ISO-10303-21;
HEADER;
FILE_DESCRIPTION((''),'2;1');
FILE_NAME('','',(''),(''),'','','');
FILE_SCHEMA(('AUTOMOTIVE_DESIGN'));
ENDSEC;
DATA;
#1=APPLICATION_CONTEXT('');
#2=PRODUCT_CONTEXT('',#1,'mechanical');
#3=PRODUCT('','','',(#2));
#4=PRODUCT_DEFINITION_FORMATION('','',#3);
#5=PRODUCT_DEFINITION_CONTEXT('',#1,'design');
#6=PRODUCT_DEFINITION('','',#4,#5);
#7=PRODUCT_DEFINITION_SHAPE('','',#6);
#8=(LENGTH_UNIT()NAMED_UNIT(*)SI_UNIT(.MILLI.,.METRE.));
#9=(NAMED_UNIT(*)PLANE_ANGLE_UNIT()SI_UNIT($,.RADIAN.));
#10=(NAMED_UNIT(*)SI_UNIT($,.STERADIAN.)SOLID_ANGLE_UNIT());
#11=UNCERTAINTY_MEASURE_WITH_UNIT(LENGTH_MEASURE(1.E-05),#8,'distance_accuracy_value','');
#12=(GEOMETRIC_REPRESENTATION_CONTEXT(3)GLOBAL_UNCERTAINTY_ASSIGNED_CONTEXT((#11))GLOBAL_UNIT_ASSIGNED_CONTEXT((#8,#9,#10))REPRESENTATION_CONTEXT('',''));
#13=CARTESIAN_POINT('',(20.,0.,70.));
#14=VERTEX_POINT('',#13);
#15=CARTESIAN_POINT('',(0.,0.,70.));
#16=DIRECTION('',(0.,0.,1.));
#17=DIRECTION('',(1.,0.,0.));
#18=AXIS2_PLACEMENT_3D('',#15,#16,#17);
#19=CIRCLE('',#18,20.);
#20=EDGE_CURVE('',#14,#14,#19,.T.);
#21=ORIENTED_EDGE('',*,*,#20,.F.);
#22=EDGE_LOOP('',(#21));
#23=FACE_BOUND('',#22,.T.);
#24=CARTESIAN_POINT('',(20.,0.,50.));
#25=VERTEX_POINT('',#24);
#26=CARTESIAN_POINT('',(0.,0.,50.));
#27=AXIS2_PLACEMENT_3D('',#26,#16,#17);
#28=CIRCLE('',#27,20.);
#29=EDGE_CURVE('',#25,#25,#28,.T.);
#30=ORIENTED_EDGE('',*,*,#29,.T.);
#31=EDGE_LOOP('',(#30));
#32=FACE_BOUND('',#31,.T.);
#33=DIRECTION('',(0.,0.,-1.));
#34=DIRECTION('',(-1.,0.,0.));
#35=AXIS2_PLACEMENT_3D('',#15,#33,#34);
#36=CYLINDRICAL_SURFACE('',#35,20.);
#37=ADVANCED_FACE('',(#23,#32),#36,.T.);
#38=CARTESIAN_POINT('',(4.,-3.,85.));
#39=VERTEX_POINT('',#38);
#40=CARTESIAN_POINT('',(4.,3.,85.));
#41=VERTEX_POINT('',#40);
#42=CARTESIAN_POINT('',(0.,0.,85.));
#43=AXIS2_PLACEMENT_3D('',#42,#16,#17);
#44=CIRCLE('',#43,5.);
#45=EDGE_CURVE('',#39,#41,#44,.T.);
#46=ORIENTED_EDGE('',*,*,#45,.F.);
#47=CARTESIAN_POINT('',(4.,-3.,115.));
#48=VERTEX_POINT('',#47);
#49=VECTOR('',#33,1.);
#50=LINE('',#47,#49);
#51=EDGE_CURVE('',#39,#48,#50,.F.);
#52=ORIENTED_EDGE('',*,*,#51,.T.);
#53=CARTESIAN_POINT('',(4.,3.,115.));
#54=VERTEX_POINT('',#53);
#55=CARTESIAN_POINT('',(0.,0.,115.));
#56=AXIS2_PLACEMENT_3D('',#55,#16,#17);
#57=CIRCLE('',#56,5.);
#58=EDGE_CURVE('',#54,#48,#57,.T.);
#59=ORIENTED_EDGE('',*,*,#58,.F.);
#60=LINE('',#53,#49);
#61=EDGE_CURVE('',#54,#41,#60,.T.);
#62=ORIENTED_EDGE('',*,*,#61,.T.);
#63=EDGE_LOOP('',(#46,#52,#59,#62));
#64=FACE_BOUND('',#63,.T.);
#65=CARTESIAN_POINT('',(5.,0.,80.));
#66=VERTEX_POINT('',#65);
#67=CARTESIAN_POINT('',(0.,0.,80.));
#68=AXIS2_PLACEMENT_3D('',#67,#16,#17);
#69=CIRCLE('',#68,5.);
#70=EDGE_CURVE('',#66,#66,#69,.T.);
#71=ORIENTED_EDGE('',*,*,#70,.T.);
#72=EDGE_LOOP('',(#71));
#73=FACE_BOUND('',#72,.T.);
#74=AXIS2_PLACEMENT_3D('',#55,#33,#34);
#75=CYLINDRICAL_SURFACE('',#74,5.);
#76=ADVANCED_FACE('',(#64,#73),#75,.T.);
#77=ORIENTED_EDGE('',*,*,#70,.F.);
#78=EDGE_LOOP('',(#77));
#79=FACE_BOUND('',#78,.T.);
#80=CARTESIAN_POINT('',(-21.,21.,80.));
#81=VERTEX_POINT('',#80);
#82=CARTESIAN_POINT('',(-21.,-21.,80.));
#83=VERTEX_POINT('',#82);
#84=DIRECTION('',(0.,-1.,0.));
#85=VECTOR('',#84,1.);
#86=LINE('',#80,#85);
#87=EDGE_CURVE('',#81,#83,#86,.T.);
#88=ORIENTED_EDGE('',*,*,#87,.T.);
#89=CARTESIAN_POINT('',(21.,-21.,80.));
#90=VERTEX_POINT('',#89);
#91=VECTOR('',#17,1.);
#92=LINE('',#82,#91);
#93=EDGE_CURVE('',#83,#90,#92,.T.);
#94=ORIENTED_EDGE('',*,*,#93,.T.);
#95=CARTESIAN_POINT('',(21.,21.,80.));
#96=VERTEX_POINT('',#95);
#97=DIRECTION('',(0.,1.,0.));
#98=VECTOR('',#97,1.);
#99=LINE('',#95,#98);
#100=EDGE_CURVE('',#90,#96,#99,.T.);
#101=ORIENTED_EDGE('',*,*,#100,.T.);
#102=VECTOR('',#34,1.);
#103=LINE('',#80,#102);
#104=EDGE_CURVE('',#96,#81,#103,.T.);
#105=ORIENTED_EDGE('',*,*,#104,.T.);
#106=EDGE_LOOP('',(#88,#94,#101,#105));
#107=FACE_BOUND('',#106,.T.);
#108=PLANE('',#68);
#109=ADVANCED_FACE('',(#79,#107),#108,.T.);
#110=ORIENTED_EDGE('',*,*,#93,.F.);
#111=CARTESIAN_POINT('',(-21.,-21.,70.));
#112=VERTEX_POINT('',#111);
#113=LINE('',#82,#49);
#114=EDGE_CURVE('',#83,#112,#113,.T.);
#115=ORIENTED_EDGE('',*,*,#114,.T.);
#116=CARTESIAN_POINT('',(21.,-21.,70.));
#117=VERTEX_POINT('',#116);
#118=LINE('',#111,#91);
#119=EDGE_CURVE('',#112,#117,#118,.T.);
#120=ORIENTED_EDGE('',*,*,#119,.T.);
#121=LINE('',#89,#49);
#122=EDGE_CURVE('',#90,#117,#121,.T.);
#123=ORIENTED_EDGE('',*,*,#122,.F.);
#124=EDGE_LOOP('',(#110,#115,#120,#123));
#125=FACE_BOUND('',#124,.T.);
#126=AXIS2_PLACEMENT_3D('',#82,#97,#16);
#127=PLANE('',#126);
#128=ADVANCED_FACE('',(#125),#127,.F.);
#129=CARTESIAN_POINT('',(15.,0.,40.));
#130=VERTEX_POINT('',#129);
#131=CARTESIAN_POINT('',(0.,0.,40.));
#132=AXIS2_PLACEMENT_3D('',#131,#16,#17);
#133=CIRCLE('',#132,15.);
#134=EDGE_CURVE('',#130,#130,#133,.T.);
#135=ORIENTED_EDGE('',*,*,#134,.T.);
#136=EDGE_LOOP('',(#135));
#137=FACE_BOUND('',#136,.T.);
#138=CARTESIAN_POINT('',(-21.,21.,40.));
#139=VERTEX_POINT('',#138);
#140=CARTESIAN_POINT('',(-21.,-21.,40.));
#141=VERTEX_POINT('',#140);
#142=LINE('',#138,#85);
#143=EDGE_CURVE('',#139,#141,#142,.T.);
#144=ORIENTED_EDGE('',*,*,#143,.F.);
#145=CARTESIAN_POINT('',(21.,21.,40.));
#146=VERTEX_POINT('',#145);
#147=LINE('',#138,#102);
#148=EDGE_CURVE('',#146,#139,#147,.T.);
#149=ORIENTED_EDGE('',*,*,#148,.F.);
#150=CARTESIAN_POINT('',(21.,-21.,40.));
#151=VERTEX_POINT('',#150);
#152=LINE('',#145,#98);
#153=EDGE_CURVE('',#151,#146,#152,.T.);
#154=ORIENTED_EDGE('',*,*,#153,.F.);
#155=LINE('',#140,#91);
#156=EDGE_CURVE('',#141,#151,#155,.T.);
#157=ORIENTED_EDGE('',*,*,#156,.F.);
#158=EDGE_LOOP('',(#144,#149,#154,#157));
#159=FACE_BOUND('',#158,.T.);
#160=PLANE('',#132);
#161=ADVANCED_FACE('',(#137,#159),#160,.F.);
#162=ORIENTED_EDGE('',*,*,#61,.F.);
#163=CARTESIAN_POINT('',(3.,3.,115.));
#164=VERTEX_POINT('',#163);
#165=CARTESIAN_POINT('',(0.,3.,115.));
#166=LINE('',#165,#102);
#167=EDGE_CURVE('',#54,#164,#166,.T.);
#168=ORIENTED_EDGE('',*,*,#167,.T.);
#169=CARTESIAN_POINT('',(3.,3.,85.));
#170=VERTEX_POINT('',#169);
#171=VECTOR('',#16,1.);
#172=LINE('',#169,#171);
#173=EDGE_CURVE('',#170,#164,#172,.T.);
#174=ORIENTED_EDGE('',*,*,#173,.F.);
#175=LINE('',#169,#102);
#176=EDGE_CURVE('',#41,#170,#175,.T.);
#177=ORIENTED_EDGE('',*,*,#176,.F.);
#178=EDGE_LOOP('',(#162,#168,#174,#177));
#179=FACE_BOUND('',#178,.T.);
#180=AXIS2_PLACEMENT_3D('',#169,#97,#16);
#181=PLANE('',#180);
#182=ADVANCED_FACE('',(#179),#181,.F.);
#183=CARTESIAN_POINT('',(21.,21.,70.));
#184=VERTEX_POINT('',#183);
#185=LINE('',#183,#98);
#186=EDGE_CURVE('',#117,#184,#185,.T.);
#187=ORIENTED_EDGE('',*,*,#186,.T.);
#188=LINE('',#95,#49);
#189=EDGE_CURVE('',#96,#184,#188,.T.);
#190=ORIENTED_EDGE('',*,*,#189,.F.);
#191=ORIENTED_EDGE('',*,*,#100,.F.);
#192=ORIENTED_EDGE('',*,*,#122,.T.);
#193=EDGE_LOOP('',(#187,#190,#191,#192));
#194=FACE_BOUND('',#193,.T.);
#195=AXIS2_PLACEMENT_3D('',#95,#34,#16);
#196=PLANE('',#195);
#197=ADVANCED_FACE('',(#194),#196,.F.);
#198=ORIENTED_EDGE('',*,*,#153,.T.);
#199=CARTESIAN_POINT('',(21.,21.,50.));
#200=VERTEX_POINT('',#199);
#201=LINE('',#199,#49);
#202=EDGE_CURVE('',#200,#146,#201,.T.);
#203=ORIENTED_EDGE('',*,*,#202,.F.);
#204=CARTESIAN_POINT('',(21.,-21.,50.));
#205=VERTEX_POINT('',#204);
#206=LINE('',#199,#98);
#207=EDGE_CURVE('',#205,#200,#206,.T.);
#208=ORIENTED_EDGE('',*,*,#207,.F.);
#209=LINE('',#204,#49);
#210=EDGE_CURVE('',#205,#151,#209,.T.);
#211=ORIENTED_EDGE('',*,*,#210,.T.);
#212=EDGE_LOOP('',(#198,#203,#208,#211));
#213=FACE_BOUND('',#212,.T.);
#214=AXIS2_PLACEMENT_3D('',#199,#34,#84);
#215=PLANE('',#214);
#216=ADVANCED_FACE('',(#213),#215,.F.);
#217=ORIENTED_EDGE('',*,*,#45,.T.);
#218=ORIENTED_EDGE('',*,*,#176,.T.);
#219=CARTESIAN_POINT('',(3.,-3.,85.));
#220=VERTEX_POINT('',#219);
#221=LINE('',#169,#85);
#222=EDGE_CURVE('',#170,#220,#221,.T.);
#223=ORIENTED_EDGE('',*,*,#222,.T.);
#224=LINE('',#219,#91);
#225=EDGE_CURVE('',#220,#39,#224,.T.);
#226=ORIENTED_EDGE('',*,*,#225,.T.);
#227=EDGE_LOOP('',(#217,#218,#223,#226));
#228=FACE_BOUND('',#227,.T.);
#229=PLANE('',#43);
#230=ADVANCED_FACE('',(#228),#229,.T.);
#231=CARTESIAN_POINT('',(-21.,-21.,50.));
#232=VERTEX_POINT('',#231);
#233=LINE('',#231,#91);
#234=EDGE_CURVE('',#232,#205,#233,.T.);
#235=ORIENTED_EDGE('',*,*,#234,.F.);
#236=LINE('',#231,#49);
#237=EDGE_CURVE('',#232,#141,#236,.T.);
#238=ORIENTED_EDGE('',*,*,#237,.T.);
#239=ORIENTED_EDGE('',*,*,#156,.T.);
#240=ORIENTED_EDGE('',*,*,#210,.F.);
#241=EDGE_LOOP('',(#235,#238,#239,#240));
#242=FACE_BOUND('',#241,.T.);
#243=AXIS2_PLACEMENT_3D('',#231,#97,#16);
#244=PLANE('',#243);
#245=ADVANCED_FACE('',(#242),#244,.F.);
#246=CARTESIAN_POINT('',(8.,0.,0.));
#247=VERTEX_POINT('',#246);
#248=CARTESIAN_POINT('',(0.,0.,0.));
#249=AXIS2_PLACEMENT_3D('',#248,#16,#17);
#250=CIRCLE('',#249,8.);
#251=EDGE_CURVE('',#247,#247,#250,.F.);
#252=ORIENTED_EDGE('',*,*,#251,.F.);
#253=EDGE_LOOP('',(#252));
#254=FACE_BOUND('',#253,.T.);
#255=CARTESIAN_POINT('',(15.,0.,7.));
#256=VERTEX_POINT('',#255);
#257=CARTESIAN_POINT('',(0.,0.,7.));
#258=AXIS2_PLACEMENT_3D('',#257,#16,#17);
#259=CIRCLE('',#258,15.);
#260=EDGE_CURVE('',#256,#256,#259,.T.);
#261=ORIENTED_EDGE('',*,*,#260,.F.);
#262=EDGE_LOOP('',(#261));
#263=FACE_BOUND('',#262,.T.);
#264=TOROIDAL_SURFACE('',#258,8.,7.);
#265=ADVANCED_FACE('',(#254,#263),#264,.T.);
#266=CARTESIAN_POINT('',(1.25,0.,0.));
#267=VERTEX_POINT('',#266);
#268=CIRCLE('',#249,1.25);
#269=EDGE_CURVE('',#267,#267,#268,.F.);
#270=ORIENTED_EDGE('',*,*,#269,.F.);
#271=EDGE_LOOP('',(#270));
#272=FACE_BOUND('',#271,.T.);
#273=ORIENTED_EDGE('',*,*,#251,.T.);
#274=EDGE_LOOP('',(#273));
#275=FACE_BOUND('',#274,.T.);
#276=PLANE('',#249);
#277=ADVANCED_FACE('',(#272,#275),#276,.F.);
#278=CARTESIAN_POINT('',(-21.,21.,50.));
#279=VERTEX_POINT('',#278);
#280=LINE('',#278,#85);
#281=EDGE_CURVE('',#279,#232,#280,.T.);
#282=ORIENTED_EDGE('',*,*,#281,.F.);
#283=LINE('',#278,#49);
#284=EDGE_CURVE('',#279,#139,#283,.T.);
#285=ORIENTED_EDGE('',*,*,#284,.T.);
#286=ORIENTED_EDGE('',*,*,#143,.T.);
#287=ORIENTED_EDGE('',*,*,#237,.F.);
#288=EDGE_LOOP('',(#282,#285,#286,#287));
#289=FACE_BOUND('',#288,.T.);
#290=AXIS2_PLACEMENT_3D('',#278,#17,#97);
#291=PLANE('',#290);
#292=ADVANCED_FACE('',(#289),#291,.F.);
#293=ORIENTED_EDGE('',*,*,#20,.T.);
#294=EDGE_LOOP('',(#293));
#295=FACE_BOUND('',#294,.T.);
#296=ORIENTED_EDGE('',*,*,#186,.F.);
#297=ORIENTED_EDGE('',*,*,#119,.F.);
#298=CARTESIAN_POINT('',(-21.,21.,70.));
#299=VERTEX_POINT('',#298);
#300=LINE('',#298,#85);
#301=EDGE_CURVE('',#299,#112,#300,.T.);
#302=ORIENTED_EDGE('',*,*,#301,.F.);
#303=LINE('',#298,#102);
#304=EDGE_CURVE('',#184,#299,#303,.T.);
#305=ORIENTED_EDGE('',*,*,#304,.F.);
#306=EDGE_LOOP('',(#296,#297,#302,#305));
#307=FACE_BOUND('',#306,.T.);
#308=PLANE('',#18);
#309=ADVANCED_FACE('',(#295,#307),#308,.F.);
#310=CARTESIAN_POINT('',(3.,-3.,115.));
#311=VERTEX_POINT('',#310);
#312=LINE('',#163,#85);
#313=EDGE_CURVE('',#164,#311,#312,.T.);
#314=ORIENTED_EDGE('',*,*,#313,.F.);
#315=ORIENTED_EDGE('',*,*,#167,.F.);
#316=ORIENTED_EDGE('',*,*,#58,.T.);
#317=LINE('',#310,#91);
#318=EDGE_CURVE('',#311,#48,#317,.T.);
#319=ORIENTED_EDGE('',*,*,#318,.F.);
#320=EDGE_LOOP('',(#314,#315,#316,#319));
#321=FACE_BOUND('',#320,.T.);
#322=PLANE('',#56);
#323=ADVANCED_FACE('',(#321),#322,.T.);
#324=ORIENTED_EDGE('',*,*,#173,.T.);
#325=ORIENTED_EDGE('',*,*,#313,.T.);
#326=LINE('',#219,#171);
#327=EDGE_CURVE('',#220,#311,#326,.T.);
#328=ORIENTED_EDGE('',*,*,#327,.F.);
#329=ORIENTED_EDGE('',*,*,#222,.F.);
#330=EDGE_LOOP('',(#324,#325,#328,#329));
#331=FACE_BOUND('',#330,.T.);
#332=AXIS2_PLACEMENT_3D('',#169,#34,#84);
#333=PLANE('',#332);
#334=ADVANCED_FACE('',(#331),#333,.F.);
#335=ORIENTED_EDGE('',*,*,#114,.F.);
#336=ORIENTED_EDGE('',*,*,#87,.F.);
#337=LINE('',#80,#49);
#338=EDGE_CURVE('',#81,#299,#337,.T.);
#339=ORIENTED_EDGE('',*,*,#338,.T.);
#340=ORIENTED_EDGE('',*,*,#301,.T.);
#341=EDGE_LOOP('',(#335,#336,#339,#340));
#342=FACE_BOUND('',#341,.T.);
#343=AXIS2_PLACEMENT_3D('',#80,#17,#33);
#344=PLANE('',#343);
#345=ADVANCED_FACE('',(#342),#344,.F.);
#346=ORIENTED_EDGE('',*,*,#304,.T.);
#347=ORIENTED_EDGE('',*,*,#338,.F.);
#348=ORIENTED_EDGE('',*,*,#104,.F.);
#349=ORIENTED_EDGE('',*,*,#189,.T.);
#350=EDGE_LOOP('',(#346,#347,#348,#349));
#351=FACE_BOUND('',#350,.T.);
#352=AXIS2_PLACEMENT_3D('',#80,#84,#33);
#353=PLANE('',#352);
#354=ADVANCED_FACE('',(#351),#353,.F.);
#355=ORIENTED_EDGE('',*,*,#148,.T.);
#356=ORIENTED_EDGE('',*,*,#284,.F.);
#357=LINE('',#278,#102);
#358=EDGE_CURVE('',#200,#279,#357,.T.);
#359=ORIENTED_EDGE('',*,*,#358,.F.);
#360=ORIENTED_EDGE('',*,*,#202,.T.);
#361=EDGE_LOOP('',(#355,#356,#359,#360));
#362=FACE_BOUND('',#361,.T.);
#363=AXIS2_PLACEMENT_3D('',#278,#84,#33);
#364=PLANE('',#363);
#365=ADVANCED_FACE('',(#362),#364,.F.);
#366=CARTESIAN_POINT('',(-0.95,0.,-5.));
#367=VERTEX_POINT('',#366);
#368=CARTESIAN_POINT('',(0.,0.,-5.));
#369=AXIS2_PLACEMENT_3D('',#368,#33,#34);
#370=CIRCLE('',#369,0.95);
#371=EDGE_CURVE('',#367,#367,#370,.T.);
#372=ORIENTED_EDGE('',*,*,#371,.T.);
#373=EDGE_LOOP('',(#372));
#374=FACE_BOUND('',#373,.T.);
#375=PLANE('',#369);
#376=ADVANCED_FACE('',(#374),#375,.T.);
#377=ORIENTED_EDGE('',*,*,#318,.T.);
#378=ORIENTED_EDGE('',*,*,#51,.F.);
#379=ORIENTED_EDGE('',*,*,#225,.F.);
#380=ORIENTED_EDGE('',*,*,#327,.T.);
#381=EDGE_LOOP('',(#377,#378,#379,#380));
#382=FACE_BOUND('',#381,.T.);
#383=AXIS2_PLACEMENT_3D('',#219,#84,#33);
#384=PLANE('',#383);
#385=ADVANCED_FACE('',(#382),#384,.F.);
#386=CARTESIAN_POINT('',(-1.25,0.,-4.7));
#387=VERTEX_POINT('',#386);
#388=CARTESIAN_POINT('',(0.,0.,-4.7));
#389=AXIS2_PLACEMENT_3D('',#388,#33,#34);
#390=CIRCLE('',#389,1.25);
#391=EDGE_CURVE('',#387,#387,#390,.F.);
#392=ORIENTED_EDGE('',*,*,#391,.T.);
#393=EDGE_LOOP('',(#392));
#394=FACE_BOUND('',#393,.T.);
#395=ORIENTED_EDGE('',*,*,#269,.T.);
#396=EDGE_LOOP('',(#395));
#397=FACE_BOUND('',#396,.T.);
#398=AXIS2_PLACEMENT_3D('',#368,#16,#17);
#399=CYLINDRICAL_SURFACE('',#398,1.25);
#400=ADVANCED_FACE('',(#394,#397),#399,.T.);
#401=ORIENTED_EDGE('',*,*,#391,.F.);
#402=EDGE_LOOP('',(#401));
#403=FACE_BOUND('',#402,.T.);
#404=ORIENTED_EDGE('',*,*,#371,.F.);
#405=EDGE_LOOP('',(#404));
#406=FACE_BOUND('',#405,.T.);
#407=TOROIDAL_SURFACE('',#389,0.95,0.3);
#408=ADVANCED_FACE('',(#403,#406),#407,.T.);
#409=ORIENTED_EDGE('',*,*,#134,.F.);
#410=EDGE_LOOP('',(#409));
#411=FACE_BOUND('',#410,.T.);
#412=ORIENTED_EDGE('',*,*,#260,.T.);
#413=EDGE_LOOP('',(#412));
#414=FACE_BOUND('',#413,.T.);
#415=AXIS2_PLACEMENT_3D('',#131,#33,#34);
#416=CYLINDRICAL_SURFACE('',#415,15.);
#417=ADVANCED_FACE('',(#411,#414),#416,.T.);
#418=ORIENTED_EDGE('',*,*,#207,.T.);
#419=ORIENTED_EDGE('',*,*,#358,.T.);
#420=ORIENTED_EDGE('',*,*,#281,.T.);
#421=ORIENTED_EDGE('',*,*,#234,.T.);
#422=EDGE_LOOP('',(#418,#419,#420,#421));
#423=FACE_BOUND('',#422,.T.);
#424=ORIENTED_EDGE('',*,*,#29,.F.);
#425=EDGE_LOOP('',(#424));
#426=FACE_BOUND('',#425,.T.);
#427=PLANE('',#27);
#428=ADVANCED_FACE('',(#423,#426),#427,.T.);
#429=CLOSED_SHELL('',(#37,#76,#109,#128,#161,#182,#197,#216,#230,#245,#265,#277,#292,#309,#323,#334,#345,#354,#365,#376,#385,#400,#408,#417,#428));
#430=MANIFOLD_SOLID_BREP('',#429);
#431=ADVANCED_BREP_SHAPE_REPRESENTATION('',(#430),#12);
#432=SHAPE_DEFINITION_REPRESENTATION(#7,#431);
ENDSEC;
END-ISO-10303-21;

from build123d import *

# Parameters (mm, degrees)
SKETCH1_R           = 15
BOSS_EXTRUDE1_DEPTH = 40
SKETCH2_W           = 42
SKETCH2_H           = 42
BOSS_EXTRUDE4_DEPTH = 10
SKETCH3_R           = 20
BOSS_EXTRUDE5_DEPTH = 20
SKETCH4_W           = 42
SKETCH4_H           = 42
BOSS_EXTRUDE6_DEPTH = 10
SKETCH5_R           = 5
BOSS_EXTRUDE7_DEPTH = 35
FILLET3_R           = 7
SKETCH6_R           = 1.25
BOSS_EXTRUDE8_DEPTH = 5
FILLET5_R           = 0.3
SKETCH7_W           = 4
SKETCH7_H           = 6
CUT_EXTRUDE1_DEPTH  = 30


with BuildPart() as part:
    # Sketch1 → Boss-Extrude1 (new body)
    with BuildSketch(Plane.XY):
        Circle(SKETCH1_R)
    extrude(amount=BOSS_EXTRUDE1_DEPTH)

    # Sketch2 → Boss-Extrude4 (add)
    with BuildSketch(Plane.XY.offset(40)):
        Rectangle(SKETCH2_W, SKETCH2_H)
    extrude(amount=BOSS_EXTRUDE4_DEPTH)

    # Sketch3 → Boss-Extrude5 (add)
    with BuildSketch(Plane.XY.offset(50)):
        Circle(SKETCH3_R)
    extrude(amount=BOSS_EXTRUDE5_DEPTH)

    # Sketch4 → Boss-Extrude6 (add)
    with BuildSketch(Plane.XY.offset(70)):
        Rectangle(SKETCH4_W, SKETCH4_H)
    extrude(amount=BOSS_EXTRUDE6_DEPTH)

    # Sketch5 → Boss-Extrude7 (add)
    with BuildSketch(Plane.XY.offset(80)):
        Circle(SKETCH5_R)
    extrude(amount=BOSS_EXTRUDE7_DEPTH)

    # Fillet3
    fillet3_edges = [part.edges().sort_by_distance(p)[0] for p in [
        (-15, 0, 0),
    ]]
    fillet(fillet3_edges, radius=FILLET3_R)

    # Sketch6 → Boss-Extrude8 (add)
    with BuildSketch(Plane(origin=(0, 0, 0), x_dir=(-1, 0, 0), z_dir=(0, 0, -1))):
        with Locations(Location((0, 0, 0), (0, 0, 180))):
            Circle(SKETCH6_R)
    extrude(amount=BOSS_EXTRUDE8_DEPTH)

    # Fillet5
    fillet5_edges = [part.edges().sort_by_distance(p)[0] for p in [
        (-1.25, 0, -5),
    ]]
    fillet(fillet5_edges, radius=FILLET5_R)

    # Sketch7 → Cut-Extrude1 (cut)
    with BuildSketch(Plane.XY.offset(115)):
        with Locations((5, 0)):
            Rectangle(SKETCH7_W, SKETCH7_H)
    extrude(amount=-CUT_EXTRUDE1_DEPTH, mode=Mode.SUBTRACT)


solid = part.part
